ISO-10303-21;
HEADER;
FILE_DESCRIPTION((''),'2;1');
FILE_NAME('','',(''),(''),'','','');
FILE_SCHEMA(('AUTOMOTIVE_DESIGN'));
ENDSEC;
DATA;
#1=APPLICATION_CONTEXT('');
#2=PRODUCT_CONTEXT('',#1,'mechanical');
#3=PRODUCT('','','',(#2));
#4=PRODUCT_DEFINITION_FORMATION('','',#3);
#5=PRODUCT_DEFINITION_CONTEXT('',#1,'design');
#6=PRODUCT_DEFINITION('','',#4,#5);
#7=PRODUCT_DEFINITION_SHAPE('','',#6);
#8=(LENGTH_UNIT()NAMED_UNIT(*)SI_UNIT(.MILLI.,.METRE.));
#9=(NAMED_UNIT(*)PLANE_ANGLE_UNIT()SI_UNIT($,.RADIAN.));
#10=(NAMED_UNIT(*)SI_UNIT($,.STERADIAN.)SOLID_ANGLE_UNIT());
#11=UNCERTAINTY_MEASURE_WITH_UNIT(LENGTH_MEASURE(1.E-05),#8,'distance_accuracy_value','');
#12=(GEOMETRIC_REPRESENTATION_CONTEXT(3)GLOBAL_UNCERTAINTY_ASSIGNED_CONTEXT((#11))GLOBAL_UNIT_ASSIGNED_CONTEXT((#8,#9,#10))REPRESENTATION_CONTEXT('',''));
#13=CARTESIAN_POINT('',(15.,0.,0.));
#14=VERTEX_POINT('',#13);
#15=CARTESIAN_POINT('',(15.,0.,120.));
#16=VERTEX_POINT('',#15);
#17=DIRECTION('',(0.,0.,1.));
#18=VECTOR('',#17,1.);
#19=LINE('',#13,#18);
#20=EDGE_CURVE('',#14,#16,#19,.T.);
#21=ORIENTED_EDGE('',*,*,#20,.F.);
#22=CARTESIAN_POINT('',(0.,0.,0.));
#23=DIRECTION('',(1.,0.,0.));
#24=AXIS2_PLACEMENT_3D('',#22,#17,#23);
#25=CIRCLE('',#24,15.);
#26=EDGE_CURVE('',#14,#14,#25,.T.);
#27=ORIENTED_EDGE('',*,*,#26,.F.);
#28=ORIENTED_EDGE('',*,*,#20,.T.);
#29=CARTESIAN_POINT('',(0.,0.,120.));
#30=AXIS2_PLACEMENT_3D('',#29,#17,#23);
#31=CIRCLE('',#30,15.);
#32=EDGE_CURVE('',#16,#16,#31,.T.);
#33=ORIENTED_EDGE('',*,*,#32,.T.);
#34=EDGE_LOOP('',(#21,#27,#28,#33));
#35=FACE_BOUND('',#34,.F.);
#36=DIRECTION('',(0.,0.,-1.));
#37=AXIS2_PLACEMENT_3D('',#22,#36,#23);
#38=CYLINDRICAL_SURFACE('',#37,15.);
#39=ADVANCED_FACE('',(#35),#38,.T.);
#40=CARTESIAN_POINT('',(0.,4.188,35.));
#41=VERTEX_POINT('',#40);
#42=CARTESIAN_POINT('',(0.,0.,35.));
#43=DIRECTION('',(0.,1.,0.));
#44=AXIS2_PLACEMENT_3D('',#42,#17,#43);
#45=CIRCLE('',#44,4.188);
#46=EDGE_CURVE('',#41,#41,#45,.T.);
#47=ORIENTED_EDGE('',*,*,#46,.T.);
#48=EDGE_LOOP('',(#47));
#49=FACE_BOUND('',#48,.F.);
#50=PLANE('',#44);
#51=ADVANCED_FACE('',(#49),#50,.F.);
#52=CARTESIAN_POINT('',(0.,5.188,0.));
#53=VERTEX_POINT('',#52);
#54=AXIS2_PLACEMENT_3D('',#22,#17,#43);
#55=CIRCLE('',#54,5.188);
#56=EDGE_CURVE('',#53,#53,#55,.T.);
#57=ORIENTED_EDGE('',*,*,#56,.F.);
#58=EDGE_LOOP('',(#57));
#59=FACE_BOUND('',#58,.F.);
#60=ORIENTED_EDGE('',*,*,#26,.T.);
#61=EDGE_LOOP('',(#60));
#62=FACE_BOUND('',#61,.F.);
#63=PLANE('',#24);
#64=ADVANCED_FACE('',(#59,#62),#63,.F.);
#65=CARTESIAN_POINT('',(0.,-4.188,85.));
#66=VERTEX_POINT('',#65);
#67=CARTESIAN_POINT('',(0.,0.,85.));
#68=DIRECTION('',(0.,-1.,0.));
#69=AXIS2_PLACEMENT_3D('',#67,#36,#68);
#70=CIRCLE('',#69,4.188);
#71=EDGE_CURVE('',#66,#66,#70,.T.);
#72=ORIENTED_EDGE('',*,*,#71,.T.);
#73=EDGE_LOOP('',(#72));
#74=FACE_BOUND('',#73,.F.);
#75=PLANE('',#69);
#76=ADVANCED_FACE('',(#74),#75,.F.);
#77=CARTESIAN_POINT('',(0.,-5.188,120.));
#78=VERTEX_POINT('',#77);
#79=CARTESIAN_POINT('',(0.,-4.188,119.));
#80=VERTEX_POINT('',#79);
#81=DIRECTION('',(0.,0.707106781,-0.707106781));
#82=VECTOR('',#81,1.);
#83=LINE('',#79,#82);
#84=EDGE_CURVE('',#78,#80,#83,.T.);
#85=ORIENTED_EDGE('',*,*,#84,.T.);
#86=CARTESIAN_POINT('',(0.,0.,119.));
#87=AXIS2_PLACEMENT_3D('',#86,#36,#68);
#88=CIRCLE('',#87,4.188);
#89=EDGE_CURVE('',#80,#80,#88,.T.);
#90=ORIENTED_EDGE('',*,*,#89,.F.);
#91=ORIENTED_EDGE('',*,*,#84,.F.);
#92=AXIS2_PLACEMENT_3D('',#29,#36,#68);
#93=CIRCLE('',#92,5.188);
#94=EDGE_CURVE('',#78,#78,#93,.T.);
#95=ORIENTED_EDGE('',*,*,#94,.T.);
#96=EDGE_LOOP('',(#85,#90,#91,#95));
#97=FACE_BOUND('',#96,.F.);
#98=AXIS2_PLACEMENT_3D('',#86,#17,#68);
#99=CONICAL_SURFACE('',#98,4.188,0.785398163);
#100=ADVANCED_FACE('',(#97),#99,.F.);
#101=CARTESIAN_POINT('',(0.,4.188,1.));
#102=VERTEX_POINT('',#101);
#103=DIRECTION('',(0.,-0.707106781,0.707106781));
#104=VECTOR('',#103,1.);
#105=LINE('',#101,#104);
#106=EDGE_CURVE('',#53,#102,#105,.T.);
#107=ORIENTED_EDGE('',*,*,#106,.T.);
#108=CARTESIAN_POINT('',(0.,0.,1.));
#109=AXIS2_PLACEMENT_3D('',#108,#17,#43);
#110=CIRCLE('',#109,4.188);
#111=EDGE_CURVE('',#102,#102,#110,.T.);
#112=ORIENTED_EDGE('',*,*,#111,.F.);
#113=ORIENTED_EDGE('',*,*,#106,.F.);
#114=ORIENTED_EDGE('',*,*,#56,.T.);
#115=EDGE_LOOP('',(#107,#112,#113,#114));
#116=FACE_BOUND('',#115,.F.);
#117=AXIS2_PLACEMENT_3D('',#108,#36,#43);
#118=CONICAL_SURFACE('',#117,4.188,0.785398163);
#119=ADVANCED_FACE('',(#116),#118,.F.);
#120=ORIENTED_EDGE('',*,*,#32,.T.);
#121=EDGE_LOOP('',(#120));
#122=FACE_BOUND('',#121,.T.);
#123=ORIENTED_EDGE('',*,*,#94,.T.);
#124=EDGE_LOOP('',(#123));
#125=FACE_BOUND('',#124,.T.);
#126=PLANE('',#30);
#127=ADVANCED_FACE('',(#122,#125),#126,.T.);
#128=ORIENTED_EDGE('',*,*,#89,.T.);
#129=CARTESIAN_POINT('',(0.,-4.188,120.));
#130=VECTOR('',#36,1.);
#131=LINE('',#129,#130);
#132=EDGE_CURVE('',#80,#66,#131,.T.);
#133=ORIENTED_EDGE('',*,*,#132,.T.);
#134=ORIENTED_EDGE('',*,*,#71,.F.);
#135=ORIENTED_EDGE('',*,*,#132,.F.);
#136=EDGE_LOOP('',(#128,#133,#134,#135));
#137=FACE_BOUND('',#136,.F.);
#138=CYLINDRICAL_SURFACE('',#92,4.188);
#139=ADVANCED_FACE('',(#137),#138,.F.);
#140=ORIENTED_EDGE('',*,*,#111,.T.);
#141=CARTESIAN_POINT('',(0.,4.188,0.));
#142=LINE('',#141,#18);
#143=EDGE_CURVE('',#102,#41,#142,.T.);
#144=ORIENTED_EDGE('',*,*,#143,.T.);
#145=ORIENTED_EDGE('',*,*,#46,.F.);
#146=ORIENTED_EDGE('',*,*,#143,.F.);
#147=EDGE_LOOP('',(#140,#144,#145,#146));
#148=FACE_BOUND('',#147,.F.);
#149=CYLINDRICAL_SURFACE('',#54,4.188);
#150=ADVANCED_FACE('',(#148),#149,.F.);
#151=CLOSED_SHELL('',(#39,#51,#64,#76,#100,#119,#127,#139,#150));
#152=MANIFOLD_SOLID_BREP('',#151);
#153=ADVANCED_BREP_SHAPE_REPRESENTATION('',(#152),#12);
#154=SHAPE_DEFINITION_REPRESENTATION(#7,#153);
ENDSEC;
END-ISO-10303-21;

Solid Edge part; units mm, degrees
sketch "Sketch1" plane through (0, 0, 0) normal (0, 0, 1) x (1, 0, 0)
  circle A0 centre (0, 0) radius 15
extrude "Protrusion1" add sketch "Sketch1" along normal blind 120
hole "Gewinde_oben" at (0, 0, 120) direction (0, 0, -1) diameter 8.376 depth 35 start chamfer 1 start chamfer angle 45
hole "Gewinde_unten" at (0, 0, 0) direction (0, 0, 1) diameter 8.376 depth 35 start chamfer 1 start chamfer angle 45
